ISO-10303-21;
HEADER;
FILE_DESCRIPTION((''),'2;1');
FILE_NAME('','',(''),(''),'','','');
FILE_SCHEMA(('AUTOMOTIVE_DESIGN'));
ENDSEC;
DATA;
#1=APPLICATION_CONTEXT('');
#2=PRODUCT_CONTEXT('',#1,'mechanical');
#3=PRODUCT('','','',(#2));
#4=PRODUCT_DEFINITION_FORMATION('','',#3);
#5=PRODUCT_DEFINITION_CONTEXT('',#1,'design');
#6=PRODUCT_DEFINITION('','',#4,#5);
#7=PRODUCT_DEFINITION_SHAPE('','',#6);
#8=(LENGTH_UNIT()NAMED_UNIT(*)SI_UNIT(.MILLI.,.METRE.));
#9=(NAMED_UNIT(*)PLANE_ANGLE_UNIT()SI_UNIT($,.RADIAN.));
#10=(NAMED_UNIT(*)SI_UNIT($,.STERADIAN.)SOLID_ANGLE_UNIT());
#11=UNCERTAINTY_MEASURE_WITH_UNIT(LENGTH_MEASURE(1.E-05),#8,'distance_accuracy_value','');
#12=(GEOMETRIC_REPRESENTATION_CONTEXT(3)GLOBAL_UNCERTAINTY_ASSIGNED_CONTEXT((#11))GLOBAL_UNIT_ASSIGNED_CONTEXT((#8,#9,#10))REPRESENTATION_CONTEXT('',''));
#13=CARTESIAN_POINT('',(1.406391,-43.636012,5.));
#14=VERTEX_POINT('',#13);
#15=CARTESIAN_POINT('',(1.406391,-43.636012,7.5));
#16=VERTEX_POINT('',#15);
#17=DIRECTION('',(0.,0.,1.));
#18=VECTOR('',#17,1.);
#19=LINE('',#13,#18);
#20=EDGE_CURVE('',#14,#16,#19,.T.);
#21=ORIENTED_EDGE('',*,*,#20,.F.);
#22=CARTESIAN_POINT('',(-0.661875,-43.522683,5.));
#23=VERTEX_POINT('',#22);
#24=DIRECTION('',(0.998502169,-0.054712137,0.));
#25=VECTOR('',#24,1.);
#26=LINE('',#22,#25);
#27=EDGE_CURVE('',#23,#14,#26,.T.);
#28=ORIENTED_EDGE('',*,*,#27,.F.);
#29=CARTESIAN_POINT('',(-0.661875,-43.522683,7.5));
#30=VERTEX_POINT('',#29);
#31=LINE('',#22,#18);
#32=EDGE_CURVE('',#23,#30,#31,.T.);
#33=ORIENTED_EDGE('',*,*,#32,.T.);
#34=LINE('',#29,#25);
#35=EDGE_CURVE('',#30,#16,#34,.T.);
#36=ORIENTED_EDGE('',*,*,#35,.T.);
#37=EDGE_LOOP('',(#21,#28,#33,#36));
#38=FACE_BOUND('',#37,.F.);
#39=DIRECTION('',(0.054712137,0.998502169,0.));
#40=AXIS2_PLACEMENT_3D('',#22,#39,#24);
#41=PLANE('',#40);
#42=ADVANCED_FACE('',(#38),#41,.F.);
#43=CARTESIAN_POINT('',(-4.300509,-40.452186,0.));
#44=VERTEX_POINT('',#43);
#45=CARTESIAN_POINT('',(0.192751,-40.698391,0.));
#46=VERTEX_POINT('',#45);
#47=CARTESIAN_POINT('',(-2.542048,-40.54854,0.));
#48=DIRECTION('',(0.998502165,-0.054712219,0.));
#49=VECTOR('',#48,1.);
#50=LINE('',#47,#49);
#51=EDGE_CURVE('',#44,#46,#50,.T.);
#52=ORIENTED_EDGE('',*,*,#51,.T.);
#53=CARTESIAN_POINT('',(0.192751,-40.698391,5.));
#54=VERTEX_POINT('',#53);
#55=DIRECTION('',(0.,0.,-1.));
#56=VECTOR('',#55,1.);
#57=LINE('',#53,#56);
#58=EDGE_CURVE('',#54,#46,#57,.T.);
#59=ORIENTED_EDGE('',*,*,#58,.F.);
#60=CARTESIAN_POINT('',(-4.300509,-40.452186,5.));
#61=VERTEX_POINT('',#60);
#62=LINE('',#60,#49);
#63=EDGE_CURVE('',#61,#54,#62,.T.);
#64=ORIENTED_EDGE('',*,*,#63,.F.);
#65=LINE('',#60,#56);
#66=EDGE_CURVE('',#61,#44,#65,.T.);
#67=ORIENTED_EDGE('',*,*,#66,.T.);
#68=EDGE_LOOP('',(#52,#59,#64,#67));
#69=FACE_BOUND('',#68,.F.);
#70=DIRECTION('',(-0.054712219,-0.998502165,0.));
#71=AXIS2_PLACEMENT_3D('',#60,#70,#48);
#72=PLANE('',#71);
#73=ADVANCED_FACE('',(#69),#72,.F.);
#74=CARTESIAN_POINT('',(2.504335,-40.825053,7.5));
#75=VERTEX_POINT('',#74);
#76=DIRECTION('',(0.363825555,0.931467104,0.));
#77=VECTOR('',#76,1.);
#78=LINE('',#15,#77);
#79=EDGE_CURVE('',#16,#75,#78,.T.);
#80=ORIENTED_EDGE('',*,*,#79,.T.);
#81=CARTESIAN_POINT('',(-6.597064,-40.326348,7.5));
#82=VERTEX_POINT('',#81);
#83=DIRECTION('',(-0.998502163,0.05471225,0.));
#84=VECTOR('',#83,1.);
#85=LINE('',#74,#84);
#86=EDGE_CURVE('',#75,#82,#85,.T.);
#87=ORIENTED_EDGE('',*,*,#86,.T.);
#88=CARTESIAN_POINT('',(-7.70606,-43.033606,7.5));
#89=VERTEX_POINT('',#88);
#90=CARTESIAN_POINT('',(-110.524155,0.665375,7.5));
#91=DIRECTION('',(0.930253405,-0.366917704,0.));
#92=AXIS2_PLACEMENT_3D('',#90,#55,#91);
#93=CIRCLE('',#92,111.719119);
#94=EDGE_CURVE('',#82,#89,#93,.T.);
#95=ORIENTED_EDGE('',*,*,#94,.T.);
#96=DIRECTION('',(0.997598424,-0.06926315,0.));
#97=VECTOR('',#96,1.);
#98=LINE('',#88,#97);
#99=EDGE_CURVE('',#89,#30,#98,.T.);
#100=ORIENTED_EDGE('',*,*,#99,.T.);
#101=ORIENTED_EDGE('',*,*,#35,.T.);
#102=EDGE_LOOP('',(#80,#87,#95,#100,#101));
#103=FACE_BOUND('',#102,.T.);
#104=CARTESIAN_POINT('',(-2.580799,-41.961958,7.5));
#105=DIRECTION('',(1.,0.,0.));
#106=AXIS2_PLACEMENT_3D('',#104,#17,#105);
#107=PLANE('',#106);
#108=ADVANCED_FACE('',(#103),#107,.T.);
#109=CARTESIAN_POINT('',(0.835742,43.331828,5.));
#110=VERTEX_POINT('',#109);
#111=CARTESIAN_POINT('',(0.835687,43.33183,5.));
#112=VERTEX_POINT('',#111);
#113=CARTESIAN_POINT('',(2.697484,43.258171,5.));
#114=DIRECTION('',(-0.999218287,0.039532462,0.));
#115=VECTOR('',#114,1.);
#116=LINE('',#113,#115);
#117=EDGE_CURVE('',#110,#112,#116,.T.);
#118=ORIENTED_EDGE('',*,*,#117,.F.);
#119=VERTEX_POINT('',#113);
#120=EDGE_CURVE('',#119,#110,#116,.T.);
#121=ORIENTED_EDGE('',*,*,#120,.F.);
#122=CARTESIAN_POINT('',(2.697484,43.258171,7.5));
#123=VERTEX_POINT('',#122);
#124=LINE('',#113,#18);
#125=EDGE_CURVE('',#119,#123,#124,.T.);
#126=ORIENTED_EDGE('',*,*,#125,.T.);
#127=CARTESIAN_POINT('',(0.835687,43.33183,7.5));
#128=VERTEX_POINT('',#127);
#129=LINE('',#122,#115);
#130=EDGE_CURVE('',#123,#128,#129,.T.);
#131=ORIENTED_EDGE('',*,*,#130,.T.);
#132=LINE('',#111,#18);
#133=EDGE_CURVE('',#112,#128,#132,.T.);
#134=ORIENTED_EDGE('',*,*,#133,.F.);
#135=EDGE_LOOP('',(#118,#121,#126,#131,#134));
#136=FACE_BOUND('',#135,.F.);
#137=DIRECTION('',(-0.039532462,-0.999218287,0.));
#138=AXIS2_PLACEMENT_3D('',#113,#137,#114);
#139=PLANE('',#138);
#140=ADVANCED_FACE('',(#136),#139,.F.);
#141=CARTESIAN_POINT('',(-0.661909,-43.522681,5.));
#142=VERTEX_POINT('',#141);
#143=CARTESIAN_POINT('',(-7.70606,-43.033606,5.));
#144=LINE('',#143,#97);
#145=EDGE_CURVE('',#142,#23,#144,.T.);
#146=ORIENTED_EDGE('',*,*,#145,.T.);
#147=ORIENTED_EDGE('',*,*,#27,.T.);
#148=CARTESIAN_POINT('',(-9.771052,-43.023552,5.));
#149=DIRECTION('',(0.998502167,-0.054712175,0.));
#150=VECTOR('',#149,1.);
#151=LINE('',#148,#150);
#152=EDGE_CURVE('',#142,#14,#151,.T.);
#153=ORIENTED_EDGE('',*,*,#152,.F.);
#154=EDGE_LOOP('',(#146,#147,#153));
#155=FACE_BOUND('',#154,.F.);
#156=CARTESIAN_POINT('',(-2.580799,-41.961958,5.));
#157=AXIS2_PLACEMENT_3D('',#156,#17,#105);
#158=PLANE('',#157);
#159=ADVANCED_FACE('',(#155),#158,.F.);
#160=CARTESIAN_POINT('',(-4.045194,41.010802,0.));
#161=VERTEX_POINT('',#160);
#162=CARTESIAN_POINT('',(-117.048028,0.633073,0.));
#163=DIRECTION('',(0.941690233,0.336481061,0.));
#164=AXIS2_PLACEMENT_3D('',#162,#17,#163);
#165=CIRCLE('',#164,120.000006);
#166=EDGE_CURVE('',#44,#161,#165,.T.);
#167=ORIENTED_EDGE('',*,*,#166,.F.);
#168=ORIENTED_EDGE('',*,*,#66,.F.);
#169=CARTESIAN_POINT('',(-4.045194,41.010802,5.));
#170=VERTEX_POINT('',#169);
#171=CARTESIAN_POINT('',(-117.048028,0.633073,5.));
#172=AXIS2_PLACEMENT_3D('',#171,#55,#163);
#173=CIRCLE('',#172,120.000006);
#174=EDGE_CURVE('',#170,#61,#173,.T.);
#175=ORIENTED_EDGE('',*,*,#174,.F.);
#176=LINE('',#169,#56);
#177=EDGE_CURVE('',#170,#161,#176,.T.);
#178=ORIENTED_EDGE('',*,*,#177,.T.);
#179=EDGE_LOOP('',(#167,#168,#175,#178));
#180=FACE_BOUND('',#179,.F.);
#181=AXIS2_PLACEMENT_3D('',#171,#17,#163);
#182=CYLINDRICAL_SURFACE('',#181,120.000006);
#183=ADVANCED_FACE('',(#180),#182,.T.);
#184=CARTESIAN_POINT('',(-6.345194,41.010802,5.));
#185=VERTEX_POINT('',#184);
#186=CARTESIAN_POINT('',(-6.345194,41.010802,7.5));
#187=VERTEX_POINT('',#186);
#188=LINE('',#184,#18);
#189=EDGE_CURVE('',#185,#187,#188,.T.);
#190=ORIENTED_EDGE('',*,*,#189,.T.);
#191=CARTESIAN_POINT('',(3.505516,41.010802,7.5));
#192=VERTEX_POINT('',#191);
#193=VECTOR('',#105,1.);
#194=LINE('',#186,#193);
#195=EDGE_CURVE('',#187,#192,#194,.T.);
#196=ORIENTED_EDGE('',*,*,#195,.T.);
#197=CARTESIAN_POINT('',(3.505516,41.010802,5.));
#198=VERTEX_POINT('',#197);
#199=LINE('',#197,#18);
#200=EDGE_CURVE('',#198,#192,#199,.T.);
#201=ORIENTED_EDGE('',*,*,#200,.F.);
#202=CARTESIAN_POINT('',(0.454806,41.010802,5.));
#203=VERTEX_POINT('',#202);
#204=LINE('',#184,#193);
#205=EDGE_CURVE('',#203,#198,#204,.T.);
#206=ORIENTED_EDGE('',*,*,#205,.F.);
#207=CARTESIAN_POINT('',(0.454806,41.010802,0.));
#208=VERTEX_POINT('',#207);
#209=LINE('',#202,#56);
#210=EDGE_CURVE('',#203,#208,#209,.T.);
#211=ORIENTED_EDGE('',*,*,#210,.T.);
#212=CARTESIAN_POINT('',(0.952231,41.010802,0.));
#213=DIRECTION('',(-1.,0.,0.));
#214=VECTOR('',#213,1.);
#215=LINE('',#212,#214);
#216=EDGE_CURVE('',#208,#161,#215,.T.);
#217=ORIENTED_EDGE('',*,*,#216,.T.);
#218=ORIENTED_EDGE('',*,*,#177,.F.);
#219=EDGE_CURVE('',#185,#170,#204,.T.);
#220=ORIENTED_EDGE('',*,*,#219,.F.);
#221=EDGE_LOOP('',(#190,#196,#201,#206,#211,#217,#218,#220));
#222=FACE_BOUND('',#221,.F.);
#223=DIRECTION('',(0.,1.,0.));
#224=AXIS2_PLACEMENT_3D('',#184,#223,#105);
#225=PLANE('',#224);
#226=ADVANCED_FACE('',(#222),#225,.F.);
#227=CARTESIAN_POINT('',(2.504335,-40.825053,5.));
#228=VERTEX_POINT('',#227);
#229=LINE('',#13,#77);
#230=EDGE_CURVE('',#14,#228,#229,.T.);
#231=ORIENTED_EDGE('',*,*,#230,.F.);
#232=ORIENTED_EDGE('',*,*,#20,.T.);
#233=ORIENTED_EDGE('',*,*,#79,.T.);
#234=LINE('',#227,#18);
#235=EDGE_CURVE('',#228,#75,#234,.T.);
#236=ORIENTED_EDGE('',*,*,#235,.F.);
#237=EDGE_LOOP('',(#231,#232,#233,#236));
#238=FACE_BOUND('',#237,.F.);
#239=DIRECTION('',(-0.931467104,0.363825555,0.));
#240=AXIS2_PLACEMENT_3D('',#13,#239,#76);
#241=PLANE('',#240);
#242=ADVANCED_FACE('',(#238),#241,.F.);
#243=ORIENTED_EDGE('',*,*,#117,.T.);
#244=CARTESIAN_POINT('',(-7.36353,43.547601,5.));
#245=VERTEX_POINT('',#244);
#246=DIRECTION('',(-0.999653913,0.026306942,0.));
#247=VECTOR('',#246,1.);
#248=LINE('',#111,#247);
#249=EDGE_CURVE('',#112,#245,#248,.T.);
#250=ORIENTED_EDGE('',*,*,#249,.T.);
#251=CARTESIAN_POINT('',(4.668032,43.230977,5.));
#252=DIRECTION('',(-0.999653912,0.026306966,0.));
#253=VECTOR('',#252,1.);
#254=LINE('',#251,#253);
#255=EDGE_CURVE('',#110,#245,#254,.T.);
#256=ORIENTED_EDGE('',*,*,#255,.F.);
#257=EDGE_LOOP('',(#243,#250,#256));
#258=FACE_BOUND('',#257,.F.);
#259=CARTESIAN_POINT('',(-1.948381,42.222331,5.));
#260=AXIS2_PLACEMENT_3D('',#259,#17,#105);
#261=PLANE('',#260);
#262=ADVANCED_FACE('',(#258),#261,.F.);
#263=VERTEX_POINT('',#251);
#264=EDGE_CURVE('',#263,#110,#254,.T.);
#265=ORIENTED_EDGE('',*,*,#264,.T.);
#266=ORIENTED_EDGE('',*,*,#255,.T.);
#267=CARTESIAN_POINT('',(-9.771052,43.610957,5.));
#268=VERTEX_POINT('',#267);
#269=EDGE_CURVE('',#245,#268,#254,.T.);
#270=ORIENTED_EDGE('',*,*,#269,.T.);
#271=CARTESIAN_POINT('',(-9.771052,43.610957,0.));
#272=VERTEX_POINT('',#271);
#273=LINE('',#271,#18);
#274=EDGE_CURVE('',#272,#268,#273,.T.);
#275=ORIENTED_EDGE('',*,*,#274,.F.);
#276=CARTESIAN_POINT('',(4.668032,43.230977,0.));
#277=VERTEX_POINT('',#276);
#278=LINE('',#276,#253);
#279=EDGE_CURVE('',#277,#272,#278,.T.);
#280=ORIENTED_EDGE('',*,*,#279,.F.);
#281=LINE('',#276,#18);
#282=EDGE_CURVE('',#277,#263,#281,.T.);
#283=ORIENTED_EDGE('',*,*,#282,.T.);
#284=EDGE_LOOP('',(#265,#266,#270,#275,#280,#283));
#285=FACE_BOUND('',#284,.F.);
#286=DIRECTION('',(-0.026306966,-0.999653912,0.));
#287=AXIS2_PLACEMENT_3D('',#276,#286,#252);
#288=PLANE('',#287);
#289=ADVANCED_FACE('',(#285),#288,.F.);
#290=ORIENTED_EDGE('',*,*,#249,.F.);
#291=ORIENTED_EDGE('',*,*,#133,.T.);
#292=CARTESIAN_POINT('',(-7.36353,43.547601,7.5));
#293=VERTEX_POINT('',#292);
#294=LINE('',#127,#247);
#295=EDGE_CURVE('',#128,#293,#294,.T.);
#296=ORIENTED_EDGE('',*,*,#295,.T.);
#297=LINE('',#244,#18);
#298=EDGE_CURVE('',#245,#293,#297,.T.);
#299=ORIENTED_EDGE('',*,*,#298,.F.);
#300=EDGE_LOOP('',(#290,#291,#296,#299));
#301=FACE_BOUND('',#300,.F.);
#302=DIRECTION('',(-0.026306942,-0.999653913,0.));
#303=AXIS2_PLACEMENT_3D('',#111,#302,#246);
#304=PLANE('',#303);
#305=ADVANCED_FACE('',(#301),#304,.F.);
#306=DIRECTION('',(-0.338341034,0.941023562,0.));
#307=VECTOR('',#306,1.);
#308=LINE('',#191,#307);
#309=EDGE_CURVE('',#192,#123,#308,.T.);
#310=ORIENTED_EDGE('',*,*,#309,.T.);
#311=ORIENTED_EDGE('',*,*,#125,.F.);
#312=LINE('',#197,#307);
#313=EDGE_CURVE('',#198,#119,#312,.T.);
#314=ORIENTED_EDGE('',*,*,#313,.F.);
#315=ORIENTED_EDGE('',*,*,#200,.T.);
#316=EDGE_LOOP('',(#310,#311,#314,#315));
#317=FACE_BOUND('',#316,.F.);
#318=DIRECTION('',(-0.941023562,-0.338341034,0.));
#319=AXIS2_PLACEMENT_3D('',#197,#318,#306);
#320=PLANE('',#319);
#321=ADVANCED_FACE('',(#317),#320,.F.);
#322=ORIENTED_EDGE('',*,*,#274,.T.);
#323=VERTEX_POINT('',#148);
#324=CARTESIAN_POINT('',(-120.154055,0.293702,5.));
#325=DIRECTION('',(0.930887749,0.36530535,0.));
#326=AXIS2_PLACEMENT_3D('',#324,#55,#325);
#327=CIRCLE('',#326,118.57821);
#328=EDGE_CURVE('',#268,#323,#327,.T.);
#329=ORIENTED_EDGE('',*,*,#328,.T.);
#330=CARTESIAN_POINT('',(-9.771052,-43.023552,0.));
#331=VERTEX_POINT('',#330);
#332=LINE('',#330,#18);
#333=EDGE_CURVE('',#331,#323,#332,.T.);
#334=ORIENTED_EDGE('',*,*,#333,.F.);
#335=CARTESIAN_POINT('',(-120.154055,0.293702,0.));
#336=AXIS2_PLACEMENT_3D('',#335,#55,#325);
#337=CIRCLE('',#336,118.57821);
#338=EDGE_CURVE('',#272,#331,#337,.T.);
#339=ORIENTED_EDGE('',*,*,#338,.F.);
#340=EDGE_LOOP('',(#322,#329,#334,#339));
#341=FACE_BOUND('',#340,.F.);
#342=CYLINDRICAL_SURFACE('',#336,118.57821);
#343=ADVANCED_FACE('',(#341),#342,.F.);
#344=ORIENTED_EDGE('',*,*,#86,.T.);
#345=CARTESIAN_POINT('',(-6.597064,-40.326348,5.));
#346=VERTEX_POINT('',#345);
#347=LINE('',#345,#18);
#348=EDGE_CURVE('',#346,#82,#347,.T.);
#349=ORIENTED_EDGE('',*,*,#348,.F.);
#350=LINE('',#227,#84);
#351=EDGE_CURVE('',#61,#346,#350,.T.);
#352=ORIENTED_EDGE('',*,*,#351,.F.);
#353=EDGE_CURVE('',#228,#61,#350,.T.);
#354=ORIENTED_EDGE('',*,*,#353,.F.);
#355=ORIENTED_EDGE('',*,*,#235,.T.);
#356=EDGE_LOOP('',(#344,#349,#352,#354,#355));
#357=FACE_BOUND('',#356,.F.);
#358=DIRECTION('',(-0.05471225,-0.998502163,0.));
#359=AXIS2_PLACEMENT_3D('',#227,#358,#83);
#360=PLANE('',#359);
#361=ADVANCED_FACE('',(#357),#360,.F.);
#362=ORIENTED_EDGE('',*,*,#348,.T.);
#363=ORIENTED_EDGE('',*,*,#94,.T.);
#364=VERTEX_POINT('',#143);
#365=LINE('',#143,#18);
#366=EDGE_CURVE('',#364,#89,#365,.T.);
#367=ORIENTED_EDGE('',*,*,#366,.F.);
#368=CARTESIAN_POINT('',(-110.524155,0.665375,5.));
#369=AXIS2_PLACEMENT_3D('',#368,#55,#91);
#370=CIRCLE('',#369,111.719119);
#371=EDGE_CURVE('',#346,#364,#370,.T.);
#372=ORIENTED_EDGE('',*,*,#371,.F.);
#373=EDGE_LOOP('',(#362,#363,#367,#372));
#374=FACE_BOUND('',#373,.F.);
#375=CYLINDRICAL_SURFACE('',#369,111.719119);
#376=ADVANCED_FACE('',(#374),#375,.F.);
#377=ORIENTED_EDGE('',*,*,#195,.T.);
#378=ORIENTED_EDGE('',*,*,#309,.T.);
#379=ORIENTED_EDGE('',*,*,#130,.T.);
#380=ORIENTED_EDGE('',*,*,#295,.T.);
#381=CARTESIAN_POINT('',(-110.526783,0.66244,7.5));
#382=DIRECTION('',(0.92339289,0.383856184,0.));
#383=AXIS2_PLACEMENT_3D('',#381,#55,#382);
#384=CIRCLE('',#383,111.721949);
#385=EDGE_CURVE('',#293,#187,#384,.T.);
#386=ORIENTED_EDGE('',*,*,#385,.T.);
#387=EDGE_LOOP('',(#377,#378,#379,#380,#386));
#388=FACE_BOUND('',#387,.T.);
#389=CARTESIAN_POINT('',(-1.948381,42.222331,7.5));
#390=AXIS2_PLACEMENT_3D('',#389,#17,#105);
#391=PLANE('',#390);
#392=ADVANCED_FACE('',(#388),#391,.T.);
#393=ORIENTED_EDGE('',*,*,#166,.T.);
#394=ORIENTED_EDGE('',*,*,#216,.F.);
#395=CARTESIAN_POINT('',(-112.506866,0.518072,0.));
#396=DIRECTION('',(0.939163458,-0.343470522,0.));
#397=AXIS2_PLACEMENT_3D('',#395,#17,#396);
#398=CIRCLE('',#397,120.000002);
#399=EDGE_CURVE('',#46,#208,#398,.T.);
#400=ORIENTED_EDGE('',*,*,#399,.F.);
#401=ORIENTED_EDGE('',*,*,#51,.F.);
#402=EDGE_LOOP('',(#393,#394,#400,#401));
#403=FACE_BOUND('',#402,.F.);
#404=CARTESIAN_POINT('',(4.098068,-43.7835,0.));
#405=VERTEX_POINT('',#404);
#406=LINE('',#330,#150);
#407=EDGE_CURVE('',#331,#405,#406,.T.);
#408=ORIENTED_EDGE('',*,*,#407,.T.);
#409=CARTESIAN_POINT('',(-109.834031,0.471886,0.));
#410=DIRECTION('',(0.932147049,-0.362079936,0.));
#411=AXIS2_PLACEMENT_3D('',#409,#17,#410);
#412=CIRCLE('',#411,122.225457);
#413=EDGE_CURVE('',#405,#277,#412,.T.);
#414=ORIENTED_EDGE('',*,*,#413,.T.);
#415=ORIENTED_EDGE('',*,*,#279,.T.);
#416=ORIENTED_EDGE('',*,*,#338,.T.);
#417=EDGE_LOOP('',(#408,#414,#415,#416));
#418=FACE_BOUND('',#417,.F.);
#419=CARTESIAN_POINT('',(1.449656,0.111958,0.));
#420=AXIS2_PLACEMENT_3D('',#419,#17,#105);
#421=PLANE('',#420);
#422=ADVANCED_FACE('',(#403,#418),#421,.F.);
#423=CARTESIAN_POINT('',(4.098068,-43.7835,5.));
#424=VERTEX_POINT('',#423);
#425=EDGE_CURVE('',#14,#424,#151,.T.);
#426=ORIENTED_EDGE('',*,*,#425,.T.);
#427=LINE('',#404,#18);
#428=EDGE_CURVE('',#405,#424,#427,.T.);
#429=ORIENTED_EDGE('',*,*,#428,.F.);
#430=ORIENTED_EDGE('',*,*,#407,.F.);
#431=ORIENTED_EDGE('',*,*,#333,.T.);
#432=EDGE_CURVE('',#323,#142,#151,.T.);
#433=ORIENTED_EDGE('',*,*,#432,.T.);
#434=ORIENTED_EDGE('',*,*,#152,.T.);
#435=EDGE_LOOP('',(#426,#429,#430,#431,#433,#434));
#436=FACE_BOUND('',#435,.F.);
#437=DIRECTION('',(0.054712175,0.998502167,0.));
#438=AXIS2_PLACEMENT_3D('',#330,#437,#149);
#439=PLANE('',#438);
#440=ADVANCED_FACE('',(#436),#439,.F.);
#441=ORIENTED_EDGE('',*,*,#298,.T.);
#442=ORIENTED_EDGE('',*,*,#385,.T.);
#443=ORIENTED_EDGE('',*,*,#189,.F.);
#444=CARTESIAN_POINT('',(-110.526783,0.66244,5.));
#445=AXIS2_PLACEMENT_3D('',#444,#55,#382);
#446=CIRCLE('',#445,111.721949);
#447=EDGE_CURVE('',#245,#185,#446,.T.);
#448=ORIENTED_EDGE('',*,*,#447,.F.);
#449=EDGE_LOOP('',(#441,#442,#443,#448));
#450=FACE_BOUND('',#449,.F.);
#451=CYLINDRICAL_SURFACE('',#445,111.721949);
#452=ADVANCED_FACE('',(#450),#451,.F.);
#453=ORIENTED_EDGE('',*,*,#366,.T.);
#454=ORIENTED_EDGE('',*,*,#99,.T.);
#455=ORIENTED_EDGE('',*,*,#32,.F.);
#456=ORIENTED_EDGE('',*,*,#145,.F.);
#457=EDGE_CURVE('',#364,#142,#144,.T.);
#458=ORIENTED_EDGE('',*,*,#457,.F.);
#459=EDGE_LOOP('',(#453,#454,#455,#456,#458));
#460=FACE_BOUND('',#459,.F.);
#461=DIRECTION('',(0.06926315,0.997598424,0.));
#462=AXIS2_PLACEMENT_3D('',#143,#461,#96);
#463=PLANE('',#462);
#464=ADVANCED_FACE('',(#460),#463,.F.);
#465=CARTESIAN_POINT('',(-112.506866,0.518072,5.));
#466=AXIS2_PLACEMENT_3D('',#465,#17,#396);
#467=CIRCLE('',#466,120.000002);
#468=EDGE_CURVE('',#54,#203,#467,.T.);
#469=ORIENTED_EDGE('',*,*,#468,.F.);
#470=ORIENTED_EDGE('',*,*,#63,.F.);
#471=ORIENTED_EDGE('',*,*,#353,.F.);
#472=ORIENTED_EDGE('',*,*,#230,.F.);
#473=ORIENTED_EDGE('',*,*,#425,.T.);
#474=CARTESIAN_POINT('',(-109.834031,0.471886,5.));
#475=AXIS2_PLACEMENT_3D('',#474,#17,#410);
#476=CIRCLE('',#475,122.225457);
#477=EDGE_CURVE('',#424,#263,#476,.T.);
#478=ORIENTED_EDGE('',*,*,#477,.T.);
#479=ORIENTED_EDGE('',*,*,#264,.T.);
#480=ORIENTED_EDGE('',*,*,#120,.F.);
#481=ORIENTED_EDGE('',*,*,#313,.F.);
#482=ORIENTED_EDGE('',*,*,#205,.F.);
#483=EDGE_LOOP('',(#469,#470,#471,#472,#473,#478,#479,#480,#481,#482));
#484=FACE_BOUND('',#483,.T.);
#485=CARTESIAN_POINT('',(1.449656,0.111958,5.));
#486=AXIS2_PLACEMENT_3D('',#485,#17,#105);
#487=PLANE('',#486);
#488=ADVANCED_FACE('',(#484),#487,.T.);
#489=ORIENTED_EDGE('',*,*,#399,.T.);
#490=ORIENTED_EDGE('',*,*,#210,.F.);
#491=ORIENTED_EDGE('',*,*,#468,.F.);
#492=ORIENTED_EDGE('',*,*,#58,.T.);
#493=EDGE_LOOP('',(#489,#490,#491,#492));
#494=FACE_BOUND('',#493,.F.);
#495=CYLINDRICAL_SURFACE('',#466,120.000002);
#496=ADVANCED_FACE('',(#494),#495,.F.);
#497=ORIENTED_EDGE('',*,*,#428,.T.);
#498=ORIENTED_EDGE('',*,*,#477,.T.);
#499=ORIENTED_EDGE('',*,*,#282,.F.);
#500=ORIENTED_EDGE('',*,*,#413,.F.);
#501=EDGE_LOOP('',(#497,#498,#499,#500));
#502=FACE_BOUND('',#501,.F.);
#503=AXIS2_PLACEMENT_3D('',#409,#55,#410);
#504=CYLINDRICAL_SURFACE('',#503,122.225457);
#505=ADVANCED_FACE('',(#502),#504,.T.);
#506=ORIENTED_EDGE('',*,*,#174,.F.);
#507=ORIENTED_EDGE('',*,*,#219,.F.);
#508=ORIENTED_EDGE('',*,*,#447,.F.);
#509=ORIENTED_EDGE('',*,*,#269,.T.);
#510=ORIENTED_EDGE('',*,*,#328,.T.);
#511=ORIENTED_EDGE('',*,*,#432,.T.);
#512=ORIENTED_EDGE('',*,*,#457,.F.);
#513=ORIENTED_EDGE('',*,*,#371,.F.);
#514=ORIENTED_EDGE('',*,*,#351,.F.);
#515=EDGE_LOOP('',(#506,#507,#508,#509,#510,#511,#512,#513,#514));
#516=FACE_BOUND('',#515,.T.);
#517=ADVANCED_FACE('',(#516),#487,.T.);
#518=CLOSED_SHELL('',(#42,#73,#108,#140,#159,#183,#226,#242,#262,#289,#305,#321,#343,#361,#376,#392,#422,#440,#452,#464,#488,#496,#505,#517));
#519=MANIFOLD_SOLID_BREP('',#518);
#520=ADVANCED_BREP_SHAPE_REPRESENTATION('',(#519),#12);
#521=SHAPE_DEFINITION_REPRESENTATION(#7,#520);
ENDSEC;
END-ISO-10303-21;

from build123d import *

# Parameters (mm, degrees)
F1_DEPTH = 5
F3_DEPTH = 2.5
F5_DEPTH = 25


with BuildPart() as f1:
    # F0 (on Top) → F1 (new body)
    with BuildSketch(Plane.XY):
        with BuildLine():
            ThreePointArc((-9.771052, 43.610957), (-1.575845, 0.293702), (-9.771052, -43.023552))
            Line((-9.771052, -43.023552), (4.098068, -43.7835))
            ThreePointArc((4.098068, -43.7835), (12.388804, -0.328701), (4.668032, 43.230977))
            Line((4.668032, 43.230977), (-9.771052, 43.610957))
        make_face()
    extrude(amount=F1_DEPTH)

    # F2 (on face) → F3 (join)
    with BuildSketch(Plane.XY.offset(5)):
        with BuildLine():
            ThreePointArc((-7.36353, 43.547601), (-6.846603, 42.282316), (-6.345194, 41.010802))
            Line((-6.345194, 41.010802), (3.505516, 41.010802))
            Line((3.505516, 41.010802), (2.697484, 43.258171))
            Line((2.697484, 43.258171), (0.835687, 43.33183))
            Line((0.835687, 43.33183), (-7.36353, 43.547601))
        make_face()
        with BuildLine():
            ThreePointArc((-6.597064, -40.326348), (-7.1427, -41.683608), (-7.70606, -43.033606))
            Line((-7.70606, -43.033606), (-0.661875, -43.522683))
            Line((-0.661875, -43.522683), (1.406391, -43.636012))
            Line((1.406391, -43.636012), (2.504335, -40.825053))
            Line((2.504335, -40.825053), (-6.597064, -40.326348))
        make_face()
    extrude(amount=F3_DEPTH)

    # F4 (on face) → F5 (cut)
    with BuildSketch(Plane.XY.offset(5)):
        with BuildLine():
            ThreePointArc((-4.045194, 41.010802), (2.951389, 0.25698), (-4.300509, -40.452186))
            Line((-4.300509, -40.452186), (0.192751, -40.698391))
            ThreePointArc((0.192751, -40.698391), (7.492519, 0.133214), (0.454806, 41.010802))
            Line((0.454806, 41.010802), (-4.045194, 41.010802))
        make_face()
    extrude(amount=-F5_DEPTH, mode=Mode.SUBTRACT)


solid = f1.part
